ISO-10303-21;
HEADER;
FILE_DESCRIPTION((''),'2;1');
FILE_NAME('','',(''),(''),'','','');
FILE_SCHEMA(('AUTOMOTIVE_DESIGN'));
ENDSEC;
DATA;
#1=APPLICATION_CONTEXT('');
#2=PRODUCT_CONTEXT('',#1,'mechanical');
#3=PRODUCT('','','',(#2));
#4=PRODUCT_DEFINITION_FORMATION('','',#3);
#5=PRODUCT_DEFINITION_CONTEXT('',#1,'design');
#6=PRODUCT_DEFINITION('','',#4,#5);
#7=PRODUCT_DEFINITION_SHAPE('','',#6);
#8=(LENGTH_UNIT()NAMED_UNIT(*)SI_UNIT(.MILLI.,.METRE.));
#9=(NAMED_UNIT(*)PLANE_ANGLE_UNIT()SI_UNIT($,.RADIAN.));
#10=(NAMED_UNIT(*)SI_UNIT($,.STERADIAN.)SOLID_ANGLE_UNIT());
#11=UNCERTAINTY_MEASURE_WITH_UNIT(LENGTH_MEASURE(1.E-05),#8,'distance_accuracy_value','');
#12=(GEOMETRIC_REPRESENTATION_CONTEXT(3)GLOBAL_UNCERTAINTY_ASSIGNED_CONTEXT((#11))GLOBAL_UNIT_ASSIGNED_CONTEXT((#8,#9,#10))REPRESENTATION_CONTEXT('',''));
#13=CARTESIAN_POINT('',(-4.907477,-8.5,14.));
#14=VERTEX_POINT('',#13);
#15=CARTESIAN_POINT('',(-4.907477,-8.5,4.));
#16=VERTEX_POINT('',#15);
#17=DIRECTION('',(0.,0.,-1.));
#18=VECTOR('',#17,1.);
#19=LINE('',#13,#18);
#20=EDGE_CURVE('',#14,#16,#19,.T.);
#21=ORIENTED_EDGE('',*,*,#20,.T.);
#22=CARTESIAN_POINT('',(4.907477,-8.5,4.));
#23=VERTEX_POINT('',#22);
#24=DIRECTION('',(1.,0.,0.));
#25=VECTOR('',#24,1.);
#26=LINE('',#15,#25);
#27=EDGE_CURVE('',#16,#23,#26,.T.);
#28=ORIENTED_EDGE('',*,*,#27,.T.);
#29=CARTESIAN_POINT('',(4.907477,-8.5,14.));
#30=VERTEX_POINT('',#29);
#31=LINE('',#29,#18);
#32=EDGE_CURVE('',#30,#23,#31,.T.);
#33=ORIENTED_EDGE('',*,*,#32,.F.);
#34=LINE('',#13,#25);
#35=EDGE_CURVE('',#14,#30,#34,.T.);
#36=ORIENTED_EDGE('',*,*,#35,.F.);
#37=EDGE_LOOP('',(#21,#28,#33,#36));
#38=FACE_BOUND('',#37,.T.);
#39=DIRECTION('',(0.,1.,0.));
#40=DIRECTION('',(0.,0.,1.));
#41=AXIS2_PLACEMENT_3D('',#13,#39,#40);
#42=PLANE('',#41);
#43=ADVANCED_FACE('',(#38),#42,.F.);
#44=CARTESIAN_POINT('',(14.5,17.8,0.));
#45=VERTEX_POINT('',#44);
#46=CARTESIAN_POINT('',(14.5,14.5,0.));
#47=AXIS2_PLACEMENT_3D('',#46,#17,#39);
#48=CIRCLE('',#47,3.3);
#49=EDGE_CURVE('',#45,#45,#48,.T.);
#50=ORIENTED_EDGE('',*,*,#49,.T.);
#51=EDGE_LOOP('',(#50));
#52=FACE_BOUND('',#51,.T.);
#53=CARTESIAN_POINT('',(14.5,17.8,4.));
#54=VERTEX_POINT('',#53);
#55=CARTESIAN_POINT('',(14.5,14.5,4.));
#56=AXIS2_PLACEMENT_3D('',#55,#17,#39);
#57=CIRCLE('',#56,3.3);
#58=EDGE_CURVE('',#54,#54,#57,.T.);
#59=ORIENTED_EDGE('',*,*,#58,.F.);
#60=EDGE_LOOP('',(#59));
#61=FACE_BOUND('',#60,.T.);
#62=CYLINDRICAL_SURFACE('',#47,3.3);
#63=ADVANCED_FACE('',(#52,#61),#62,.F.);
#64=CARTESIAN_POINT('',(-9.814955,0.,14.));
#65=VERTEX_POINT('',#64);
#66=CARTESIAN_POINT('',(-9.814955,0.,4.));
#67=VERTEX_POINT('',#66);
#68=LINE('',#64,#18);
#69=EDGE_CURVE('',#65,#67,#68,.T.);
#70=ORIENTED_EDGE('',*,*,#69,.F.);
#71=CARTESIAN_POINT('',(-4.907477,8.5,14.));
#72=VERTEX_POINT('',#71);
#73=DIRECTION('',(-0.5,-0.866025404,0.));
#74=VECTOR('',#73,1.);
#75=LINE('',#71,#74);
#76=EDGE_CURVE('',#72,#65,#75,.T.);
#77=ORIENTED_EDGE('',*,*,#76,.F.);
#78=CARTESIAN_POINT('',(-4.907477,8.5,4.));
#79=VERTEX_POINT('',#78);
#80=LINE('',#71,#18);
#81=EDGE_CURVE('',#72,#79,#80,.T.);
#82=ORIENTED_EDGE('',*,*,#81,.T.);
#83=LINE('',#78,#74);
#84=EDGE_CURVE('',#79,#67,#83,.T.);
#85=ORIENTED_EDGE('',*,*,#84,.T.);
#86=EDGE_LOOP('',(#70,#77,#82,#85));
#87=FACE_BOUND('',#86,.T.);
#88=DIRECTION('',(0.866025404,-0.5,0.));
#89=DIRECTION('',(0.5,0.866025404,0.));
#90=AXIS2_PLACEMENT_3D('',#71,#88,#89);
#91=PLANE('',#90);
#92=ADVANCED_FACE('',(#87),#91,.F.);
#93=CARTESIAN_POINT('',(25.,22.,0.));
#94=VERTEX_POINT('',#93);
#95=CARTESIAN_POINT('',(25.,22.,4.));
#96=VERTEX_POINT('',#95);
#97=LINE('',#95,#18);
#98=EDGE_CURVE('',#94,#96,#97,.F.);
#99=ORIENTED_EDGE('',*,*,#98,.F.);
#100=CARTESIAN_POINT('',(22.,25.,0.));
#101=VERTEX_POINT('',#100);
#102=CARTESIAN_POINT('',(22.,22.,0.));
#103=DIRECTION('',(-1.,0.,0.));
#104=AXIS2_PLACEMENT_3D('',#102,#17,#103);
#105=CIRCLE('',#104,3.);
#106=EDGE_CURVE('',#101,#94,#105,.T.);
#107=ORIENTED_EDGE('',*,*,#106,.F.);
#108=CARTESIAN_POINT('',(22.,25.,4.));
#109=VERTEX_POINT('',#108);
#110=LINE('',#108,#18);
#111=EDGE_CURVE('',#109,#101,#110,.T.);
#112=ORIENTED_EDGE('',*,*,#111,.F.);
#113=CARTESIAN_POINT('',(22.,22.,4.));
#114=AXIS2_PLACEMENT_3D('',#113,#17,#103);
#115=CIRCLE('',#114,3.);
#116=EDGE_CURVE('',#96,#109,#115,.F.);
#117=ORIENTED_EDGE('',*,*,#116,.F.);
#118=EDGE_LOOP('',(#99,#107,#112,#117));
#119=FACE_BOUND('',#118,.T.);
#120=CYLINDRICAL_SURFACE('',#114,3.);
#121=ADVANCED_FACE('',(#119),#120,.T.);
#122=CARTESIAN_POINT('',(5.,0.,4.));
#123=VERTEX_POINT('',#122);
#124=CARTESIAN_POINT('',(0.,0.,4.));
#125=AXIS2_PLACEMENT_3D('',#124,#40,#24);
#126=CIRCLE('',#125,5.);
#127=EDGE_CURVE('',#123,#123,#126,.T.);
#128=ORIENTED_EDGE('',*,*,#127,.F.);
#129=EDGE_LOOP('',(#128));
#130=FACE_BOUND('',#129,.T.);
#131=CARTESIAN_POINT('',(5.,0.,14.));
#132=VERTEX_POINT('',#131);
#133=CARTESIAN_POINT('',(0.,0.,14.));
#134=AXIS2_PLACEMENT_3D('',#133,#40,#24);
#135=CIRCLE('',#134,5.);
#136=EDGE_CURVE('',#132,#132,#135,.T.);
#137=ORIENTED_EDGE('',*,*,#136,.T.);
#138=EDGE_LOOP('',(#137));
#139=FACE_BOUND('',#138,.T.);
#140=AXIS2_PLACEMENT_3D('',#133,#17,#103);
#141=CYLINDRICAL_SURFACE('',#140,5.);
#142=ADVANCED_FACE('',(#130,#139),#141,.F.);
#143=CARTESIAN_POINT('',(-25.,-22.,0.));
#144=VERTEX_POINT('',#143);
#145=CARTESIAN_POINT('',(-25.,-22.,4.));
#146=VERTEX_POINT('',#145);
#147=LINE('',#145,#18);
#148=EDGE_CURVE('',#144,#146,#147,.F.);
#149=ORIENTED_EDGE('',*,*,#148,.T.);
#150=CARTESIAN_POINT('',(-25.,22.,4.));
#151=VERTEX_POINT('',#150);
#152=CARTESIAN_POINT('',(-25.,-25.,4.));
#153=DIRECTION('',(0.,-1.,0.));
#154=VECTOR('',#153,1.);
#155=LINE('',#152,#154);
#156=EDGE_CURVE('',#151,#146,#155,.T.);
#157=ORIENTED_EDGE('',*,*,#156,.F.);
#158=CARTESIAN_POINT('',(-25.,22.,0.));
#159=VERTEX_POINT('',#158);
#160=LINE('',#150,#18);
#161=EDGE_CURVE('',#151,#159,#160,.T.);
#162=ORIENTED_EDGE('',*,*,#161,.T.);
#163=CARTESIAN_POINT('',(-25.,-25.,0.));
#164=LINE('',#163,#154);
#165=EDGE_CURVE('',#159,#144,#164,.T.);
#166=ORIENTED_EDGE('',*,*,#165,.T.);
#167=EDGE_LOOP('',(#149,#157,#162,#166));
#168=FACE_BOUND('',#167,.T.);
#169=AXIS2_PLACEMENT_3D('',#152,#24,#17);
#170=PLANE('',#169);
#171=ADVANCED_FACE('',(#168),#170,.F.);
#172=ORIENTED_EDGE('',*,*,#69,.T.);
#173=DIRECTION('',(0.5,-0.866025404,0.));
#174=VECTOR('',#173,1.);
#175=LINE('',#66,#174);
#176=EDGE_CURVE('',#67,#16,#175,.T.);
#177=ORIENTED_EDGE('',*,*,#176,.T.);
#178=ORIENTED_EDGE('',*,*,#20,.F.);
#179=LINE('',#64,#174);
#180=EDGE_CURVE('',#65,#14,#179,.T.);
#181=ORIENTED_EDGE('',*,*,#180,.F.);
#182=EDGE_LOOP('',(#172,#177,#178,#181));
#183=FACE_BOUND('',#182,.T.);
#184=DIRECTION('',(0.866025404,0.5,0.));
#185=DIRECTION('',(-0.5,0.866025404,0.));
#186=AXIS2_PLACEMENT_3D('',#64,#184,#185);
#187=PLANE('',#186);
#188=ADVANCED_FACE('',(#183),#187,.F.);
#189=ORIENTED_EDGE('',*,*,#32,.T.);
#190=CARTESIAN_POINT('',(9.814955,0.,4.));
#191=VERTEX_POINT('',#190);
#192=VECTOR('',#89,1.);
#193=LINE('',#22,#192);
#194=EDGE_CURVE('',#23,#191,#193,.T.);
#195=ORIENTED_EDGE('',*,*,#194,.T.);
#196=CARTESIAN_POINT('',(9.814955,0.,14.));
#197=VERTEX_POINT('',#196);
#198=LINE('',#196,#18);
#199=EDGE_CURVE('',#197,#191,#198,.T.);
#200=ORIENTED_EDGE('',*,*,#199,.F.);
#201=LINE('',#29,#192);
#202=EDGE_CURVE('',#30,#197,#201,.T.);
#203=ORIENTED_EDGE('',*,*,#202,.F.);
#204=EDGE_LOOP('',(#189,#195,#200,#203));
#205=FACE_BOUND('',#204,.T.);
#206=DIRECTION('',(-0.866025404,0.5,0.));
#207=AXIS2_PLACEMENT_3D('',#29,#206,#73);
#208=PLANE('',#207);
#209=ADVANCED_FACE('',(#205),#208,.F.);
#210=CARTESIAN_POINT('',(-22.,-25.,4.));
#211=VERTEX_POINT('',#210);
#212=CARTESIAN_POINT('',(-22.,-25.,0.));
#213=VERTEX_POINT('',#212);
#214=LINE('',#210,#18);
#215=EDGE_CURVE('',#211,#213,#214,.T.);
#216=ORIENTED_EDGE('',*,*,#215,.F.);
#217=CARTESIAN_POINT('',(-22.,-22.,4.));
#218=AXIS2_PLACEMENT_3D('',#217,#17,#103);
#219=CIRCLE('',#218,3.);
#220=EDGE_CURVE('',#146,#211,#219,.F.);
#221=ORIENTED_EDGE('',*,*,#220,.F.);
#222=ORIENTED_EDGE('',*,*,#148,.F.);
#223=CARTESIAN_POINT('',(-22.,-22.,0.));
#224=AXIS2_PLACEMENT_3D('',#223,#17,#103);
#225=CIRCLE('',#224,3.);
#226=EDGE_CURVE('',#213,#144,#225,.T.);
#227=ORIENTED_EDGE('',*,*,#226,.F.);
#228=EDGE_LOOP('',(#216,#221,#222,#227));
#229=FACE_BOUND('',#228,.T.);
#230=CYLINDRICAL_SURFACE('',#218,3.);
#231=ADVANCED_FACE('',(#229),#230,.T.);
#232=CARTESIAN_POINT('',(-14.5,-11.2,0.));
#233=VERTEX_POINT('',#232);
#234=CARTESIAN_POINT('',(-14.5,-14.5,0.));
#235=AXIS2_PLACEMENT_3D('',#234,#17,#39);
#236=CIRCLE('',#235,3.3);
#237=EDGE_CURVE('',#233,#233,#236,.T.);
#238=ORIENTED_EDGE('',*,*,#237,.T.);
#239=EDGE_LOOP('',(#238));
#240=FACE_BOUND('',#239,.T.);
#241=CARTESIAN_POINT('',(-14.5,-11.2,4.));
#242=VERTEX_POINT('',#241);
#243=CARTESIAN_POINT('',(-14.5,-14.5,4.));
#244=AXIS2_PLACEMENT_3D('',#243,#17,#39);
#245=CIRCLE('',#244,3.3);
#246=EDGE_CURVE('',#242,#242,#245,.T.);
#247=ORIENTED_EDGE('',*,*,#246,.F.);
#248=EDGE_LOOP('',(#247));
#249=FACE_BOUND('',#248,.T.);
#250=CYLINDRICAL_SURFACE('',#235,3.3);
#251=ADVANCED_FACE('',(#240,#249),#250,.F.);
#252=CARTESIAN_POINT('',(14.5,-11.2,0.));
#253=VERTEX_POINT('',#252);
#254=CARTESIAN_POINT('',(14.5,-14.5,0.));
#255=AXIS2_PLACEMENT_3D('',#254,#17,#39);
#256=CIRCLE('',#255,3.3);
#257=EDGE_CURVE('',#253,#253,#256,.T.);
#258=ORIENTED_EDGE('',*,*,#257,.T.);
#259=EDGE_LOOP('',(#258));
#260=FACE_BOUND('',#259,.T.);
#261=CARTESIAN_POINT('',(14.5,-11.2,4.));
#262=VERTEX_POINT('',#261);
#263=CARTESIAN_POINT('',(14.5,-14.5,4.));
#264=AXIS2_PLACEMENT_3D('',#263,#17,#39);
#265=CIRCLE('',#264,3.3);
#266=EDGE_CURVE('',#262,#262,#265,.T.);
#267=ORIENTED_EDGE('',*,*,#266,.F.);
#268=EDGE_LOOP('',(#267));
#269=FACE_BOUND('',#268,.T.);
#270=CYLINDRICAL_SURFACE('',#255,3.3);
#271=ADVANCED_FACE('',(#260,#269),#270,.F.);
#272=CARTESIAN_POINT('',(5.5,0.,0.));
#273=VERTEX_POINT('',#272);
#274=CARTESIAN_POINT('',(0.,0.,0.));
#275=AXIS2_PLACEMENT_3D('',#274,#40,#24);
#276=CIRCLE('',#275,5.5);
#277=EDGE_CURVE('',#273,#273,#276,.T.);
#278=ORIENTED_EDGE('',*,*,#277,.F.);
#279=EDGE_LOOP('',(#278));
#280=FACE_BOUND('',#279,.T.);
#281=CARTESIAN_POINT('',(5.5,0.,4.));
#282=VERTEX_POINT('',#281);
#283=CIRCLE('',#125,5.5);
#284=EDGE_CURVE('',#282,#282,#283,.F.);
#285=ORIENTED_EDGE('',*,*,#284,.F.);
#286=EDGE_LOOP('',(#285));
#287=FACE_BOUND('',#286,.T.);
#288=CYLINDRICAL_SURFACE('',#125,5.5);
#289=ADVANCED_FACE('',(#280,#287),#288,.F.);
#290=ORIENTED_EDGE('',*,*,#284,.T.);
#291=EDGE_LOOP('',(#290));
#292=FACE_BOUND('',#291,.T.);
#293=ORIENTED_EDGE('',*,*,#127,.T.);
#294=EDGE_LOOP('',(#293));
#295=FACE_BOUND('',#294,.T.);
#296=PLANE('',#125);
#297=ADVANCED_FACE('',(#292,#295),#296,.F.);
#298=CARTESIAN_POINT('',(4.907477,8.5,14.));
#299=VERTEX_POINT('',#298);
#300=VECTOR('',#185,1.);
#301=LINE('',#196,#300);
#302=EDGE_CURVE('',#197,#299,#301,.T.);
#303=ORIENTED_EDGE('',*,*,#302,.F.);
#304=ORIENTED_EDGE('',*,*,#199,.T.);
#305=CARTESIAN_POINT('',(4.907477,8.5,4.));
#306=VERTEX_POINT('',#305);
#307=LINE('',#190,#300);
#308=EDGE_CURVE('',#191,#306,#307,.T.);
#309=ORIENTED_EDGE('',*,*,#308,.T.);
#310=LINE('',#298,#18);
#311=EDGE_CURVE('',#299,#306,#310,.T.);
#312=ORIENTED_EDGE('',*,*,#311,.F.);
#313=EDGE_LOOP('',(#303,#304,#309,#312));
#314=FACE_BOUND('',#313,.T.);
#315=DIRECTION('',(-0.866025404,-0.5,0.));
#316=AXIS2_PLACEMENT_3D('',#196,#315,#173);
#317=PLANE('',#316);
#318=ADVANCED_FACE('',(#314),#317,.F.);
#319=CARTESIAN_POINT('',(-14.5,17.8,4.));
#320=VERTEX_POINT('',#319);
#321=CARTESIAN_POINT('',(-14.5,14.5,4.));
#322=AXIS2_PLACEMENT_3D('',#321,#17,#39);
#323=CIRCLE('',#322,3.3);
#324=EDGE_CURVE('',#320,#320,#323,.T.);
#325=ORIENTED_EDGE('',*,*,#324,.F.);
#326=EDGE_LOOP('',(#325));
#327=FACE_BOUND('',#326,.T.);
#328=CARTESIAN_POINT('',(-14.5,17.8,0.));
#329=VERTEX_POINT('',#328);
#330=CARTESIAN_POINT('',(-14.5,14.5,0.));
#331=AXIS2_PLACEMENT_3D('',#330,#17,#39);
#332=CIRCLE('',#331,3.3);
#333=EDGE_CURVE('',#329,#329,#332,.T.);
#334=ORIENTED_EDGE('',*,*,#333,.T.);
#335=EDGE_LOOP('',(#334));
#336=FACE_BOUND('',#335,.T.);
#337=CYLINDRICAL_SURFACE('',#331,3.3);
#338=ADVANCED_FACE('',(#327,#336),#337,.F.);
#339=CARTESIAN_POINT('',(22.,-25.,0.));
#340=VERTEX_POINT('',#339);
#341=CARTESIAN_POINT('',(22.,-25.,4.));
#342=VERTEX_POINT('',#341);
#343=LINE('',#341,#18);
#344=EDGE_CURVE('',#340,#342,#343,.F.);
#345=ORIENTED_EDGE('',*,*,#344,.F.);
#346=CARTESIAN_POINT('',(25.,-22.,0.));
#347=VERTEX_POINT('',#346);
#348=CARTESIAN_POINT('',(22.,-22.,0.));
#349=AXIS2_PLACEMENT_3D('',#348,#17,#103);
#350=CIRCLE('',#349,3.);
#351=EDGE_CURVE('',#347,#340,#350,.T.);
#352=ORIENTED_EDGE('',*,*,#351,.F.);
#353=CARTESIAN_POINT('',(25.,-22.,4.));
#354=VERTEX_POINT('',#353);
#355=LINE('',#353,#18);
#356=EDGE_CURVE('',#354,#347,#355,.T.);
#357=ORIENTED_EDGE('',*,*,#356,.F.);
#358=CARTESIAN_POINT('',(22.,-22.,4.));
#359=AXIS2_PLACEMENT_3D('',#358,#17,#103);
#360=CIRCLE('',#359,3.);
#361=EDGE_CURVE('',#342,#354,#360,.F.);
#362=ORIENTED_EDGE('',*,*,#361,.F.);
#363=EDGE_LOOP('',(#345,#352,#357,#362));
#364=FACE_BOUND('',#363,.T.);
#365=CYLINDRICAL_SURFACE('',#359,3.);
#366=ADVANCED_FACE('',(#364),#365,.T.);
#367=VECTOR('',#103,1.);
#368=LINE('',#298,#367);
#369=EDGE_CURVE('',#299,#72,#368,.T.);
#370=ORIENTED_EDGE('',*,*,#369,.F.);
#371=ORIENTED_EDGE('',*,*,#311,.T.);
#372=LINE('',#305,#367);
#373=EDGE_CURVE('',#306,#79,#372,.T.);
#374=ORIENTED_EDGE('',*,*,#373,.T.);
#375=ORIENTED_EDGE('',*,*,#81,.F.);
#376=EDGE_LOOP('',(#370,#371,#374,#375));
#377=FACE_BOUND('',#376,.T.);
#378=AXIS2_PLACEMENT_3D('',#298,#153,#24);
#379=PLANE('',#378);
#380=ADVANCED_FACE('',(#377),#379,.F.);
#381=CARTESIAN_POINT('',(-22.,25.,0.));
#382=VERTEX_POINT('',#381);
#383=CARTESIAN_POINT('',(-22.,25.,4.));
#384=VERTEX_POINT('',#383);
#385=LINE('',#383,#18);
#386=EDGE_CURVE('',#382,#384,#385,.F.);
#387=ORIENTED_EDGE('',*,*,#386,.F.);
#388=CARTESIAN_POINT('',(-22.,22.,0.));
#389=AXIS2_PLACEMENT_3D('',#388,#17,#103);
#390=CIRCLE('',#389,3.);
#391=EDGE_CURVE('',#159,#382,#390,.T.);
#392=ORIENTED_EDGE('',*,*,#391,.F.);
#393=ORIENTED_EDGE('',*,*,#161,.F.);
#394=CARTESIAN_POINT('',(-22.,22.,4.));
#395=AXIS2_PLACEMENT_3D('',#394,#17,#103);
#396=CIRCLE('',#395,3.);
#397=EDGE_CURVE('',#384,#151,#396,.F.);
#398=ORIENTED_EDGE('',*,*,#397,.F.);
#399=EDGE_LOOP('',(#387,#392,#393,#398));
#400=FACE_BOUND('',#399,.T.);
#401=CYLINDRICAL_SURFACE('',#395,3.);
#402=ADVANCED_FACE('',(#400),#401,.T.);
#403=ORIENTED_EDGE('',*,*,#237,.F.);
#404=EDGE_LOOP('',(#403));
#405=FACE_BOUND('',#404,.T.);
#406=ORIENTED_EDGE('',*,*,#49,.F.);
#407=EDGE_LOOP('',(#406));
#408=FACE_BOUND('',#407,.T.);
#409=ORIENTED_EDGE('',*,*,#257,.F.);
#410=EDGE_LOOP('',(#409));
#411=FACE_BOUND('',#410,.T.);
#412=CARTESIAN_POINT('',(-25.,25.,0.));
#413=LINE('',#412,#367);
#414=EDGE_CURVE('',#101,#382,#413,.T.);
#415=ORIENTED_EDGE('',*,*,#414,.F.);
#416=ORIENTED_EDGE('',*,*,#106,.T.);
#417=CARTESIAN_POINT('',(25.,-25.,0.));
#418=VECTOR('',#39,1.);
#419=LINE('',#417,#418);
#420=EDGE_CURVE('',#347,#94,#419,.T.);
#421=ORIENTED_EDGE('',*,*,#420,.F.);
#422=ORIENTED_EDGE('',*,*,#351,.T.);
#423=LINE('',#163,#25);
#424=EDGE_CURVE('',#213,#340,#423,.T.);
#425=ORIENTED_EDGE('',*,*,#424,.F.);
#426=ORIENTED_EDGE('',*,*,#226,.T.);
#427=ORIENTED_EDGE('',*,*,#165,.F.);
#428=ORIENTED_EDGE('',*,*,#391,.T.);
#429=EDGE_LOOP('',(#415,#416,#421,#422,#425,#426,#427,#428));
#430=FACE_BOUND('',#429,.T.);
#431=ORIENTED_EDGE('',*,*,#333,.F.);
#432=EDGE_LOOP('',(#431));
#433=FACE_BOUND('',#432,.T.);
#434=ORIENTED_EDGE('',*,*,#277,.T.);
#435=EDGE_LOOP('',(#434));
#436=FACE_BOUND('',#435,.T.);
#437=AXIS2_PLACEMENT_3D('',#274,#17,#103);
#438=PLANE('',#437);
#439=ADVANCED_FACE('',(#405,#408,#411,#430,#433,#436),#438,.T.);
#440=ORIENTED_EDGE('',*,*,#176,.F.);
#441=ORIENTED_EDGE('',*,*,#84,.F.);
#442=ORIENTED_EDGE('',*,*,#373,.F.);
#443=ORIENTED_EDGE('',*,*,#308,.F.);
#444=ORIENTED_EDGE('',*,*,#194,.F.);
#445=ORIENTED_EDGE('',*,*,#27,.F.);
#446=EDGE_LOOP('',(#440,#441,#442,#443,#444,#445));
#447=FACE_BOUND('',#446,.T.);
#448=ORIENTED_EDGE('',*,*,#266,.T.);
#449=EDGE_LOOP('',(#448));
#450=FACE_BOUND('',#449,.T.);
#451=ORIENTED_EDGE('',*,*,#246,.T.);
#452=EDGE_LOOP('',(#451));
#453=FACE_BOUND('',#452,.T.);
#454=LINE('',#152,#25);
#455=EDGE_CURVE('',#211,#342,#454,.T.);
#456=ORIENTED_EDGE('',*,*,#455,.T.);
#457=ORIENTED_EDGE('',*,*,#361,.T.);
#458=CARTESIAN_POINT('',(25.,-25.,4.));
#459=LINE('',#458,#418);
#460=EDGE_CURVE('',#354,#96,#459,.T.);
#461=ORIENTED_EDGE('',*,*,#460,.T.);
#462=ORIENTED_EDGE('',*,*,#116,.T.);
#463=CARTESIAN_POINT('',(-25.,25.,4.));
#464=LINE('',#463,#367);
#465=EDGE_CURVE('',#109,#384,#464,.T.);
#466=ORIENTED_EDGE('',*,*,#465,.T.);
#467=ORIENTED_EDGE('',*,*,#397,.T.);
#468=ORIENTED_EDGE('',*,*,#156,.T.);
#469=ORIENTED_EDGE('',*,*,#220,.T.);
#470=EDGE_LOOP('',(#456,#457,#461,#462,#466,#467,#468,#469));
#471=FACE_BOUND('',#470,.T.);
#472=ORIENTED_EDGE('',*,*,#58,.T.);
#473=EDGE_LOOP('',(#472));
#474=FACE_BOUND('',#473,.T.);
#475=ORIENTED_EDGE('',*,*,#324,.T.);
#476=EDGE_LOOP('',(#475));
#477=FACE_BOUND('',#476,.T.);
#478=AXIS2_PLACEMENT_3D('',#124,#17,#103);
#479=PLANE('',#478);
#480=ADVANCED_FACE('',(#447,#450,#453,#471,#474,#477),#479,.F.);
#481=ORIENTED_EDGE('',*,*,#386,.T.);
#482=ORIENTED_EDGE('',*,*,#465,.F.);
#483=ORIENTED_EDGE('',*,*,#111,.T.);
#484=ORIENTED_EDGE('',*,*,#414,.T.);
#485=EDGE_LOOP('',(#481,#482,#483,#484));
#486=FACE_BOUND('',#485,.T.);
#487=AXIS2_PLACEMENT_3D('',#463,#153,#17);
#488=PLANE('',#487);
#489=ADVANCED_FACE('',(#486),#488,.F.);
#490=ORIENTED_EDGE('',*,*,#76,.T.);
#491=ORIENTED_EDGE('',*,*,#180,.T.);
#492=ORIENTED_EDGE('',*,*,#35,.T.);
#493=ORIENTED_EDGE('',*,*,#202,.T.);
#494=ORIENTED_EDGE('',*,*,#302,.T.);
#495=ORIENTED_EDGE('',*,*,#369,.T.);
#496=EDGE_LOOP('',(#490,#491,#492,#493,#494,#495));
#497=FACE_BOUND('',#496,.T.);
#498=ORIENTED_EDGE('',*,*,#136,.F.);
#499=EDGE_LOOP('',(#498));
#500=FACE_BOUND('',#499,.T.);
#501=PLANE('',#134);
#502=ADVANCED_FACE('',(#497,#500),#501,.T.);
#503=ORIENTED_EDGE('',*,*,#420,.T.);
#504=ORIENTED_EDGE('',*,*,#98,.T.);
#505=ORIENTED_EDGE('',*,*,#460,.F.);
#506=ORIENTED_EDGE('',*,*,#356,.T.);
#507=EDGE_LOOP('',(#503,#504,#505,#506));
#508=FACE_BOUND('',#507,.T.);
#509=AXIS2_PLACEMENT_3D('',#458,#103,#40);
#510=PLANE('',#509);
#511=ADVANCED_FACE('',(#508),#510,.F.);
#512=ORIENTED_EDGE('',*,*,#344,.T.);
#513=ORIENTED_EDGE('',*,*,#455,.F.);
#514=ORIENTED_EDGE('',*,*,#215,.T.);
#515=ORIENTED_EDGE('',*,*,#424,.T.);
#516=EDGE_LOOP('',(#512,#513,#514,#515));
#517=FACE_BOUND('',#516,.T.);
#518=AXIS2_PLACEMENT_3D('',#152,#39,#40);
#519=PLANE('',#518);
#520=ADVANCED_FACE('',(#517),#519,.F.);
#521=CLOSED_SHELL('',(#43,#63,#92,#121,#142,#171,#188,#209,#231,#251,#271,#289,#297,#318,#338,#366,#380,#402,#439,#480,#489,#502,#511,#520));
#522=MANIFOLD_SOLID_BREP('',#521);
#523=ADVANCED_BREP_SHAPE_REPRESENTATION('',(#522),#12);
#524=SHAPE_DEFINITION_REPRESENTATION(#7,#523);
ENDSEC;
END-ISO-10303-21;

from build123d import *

# Parameters (mm, degrees)
SKETCH_1_W         = 50
SKETCH_1_H         = 50
EXTRUDE_1_DEPTH    = 4
HOLE_WIZARD_M101_D = 11
FILLET_1_R         = 3
HOLE_WIZARD_M61_D  = 6.6
SKETCH_6_R         = 5
EXTRUDE_2_DEPTH    = 10


with BuildPart() as part:
    # Эскиз1 → Бобышка-Вытянуть1 (new body)
    with BuildSketch(Plane.XY):
        Rectangle(SKETCH_1_W, SKETCH_1_H)
    extrude(amount=EXTRUDE_1_DEPTH)

    # Отверстие с зазором M101 (through all)
    with Locations(Plane.XY.offset(4)):
        with Locations((0, 0)):
            Hole(HOLE_WIZARD_M101_D / 2)

    # Скругление1
    fillet_1_edges = [part.edges().sort_by_distance(p)[0] for p in [
        (25, -25, 2),
        (-25, -25, 2),
        (-25, 25, 2),
        (25, 25, 2),
    ]]
    fillet(fillet_1_edges, radius=FILLET_1_R)

    # Отверстие с зазором M61 (through all)
    with Locations(Plane(origin=(0, 0, 0), x_dir=(-1, 0, 0), z_dir=(0, 0, -1))):
        with Locations((-14.5, 14.5), (0, 0), (14.5, 14.5), (-14.5, -14.5), (14.5, -14.5)):
            Hole(HOLE_WIZARD_M61_D / 2)

    # Эскиз6 → Бобышка-Вытянуть2 (add)
    with BuildSketch(Plane.XY.offset(4)):
        Polygon((4.907477288, -8.5), (9.814954576, 0), (4.907477288, 8.5), (-4.907477288, 8.5), (-9.814954576, 0), (-4.907477288, -8.5), align=None)
        Circle(SKETCH_6_R, mode=Mode.SUBTRACT)
    extrude(amount=EXTRUDE_2_DEPTH)


solid = part.part
